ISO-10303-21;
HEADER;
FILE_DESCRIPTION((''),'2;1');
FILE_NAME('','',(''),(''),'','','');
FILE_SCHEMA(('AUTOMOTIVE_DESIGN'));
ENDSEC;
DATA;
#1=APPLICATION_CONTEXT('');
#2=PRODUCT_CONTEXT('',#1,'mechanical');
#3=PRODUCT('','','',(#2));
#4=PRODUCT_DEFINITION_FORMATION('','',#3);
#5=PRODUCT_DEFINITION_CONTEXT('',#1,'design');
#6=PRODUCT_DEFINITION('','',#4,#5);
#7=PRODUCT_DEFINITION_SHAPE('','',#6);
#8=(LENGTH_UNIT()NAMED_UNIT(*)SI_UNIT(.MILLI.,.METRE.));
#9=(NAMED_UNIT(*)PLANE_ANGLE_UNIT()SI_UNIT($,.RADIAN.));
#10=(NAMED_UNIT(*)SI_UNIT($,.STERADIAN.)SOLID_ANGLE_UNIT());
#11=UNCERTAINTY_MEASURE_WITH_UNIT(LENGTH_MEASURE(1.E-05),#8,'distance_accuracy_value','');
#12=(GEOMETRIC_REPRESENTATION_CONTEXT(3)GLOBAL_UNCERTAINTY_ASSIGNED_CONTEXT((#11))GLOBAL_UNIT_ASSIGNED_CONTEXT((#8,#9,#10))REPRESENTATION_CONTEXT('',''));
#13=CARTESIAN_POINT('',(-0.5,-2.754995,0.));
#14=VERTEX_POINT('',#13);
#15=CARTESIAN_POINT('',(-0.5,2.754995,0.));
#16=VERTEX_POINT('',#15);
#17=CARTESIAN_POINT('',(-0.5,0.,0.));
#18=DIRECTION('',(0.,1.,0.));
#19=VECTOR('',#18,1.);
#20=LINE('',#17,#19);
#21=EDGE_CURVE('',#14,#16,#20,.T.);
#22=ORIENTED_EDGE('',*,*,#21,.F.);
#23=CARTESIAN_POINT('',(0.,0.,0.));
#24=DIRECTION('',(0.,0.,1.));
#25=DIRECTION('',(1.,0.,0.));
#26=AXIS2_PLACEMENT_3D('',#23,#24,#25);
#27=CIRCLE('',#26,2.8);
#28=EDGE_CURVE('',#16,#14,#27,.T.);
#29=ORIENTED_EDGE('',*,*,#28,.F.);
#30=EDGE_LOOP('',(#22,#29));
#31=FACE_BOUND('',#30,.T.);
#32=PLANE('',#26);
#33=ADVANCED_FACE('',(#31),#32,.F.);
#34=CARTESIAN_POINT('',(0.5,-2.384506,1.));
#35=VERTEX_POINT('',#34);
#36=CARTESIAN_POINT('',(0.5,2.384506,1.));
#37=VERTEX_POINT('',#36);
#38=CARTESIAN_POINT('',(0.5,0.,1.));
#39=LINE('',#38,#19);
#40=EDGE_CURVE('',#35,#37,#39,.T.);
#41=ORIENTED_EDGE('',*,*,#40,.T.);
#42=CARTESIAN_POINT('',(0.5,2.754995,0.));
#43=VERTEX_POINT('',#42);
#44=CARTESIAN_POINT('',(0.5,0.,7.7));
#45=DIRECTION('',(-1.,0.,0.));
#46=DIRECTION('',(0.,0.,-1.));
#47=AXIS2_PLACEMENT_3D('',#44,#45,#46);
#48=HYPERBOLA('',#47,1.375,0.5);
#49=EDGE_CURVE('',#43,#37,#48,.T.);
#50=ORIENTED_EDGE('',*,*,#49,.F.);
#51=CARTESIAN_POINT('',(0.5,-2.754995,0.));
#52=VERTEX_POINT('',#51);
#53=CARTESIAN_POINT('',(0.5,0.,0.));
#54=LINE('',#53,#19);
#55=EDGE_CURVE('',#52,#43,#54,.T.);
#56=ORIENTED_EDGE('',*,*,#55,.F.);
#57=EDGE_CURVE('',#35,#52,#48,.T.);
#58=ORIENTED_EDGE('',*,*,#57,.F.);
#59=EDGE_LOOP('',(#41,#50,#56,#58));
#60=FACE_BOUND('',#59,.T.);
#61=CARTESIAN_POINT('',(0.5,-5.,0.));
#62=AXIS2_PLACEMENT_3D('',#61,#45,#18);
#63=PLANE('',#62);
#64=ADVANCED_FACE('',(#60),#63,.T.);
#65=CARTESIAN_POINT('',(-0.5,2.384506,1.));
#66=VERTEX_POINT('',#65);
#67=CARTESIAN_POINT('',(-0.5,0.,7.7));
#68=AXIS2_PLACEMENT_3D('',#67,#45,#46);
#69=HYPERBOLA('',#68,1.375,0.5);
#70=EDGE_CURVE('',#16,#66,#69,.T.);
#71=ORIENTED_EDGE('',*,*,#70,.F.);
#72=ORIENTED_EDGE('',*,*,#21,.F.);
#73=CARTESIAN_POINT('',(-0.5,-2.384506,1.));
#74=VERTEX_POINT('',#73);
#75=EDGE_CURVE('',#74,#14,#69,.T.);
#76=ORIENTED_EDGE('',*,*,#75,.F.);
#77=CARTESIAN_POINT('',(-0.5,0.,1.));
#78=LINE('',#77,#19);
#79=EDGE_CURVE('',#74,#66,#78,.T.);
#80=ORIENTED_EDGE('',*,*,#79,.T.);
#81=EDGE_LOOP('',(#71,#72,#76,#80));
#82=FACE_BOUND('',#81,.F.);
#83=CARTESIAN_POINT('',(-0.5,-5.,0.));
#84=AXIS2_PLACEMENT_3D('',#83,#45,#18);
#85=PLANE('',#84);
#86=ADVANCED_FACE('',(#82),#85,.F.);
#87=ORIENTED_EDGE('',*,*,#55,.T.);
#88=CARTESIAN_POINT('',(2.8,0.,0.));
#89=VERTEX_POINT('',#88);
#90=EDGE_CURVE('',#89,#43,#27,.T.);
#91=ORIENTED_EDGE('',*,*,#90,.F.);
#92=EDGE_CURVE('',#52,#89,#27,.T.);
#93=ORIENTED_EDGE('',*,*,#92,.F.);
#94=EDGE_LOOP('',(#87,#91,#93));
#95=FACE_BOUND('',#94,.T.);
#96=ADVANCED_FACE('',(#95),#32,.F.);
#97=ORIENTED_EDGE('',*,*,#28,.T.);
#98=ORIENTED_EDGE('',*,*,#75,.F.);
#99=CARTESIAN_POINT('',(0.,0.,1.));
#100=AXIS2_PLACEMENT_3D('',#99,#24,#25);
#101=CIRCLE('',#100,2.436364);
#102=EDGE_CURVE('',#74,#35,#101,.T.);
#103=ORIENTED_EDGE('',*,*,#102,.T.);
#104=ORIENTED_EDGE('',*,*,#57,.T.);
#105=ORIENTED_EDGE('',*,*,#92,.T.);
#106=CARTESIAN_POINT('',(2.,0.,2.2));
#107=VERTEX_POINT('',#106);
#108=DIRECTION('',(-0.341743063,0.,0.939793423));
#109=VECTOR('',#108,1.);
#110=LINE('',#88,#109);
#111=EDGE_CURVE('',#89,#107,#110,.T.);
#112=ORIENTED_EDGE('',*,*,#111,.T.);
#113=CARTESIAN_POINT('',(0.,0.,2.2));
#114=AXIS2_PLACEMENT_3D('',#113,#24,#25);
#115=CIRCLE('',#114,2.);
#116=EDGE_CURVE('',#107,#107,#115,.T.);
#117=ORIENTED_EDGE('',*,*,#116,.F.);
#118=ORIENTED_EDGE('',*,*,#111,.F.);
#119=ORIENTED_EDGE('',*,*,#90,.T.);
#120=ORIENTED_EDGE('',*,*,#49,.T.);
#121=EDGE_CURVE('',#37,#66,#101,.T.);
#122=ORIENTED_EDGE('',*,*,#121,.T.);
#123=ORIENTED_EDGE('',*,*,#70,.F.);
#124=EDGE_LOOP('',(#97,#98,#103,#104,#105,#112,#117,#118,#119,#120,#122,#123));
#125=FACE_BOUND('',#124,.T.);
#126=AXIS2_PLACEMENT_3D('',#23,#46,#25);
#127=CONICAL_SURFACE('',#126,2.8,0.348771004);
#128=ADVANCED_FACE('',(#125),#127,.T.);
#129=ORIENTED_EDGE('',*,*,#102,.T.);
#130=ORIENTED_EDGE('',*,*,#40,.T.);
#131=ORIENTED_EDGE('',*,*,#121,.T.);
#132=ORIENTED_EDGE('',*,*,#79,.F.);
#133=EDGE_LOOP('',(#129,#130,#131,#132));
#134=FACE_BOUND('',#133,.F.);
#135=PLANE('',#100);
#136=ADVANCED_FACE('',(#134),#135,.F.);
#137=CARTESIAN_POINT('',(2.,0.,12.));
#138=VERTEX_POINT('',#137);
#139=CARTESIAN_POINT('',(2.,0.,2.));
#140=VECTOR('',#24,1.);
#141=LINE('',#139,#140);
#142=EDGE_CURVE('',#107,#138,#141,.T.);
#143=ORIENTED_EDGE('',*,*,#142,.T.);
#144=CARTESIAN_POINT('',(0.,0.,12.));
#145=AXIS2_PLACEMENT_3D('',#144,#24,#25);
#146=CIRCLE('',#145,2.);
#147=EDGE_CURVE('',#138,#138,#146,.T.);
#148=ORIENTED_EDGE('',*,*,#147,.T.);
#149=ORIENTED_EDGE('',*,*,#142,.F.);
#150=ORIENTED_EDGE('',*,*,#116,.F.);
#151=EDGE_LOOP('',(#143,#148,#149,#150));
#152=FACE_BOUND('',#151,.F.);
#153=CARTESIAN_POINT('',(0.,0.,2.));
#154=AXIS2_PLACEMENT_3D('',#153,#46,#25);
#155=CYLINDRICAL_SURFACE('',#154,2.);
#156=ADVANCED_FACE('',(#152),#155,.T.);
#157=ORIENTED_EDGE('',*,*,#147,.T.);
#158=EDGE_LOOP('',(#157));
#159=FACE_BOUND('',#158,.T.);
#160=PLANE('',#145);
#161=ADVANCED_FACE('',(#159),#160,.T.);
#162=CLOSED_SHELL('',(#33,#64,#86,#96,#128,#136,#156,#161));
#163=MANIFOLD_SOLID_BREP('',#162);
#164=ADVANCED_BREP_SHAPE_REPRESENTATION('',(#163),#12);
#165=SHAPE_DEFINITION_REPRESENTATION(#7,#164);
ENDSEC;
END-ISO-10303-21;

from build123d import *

# Parameters (mm, degrees)
BOX_W          = 1
BOX_H          = 10
BOX_DEPTH      = 1
CYLINDER_R     = 2
CYLINDER_DEPTH = 10


with BuildPart() as cube:
    # Box → Box (new body)
    with BuildSketch(Plane(origin=(-0.5, -5, 0), x_dir=(1, 0, 0), z_dir=(0, 0, 1))):
        with Locations((0.5, 5)):
            Rectangle(BOX_W, BOX_H)
    extrude(amount=BOX_DEPTH)


with BuildPart() as cut:
    # Cone → Cone (revolve)
    with BuildSketch(Plane.XZ):
        Polygon((0, 0), (2.8, 0), (2, 2.2), (0, 2.2), align=None)
    revolve(axis=Axis((0, 0, 0), (0, 0, 1)))

    # Cut: cut Cube
    add(cube.part, mode=Mode.SUBTRACT)


with BuildPart() as fusion:
    # Cylinder → Cylinder (new body)
    with BuildSketch(Plane.XY.offset(2)):
        Circle(CYLINDER_R)
    extrude(amount=CYLINDER_DEPTH)

    # Fusion: union Cut
    add(cut.part)


solid = fusion.part
